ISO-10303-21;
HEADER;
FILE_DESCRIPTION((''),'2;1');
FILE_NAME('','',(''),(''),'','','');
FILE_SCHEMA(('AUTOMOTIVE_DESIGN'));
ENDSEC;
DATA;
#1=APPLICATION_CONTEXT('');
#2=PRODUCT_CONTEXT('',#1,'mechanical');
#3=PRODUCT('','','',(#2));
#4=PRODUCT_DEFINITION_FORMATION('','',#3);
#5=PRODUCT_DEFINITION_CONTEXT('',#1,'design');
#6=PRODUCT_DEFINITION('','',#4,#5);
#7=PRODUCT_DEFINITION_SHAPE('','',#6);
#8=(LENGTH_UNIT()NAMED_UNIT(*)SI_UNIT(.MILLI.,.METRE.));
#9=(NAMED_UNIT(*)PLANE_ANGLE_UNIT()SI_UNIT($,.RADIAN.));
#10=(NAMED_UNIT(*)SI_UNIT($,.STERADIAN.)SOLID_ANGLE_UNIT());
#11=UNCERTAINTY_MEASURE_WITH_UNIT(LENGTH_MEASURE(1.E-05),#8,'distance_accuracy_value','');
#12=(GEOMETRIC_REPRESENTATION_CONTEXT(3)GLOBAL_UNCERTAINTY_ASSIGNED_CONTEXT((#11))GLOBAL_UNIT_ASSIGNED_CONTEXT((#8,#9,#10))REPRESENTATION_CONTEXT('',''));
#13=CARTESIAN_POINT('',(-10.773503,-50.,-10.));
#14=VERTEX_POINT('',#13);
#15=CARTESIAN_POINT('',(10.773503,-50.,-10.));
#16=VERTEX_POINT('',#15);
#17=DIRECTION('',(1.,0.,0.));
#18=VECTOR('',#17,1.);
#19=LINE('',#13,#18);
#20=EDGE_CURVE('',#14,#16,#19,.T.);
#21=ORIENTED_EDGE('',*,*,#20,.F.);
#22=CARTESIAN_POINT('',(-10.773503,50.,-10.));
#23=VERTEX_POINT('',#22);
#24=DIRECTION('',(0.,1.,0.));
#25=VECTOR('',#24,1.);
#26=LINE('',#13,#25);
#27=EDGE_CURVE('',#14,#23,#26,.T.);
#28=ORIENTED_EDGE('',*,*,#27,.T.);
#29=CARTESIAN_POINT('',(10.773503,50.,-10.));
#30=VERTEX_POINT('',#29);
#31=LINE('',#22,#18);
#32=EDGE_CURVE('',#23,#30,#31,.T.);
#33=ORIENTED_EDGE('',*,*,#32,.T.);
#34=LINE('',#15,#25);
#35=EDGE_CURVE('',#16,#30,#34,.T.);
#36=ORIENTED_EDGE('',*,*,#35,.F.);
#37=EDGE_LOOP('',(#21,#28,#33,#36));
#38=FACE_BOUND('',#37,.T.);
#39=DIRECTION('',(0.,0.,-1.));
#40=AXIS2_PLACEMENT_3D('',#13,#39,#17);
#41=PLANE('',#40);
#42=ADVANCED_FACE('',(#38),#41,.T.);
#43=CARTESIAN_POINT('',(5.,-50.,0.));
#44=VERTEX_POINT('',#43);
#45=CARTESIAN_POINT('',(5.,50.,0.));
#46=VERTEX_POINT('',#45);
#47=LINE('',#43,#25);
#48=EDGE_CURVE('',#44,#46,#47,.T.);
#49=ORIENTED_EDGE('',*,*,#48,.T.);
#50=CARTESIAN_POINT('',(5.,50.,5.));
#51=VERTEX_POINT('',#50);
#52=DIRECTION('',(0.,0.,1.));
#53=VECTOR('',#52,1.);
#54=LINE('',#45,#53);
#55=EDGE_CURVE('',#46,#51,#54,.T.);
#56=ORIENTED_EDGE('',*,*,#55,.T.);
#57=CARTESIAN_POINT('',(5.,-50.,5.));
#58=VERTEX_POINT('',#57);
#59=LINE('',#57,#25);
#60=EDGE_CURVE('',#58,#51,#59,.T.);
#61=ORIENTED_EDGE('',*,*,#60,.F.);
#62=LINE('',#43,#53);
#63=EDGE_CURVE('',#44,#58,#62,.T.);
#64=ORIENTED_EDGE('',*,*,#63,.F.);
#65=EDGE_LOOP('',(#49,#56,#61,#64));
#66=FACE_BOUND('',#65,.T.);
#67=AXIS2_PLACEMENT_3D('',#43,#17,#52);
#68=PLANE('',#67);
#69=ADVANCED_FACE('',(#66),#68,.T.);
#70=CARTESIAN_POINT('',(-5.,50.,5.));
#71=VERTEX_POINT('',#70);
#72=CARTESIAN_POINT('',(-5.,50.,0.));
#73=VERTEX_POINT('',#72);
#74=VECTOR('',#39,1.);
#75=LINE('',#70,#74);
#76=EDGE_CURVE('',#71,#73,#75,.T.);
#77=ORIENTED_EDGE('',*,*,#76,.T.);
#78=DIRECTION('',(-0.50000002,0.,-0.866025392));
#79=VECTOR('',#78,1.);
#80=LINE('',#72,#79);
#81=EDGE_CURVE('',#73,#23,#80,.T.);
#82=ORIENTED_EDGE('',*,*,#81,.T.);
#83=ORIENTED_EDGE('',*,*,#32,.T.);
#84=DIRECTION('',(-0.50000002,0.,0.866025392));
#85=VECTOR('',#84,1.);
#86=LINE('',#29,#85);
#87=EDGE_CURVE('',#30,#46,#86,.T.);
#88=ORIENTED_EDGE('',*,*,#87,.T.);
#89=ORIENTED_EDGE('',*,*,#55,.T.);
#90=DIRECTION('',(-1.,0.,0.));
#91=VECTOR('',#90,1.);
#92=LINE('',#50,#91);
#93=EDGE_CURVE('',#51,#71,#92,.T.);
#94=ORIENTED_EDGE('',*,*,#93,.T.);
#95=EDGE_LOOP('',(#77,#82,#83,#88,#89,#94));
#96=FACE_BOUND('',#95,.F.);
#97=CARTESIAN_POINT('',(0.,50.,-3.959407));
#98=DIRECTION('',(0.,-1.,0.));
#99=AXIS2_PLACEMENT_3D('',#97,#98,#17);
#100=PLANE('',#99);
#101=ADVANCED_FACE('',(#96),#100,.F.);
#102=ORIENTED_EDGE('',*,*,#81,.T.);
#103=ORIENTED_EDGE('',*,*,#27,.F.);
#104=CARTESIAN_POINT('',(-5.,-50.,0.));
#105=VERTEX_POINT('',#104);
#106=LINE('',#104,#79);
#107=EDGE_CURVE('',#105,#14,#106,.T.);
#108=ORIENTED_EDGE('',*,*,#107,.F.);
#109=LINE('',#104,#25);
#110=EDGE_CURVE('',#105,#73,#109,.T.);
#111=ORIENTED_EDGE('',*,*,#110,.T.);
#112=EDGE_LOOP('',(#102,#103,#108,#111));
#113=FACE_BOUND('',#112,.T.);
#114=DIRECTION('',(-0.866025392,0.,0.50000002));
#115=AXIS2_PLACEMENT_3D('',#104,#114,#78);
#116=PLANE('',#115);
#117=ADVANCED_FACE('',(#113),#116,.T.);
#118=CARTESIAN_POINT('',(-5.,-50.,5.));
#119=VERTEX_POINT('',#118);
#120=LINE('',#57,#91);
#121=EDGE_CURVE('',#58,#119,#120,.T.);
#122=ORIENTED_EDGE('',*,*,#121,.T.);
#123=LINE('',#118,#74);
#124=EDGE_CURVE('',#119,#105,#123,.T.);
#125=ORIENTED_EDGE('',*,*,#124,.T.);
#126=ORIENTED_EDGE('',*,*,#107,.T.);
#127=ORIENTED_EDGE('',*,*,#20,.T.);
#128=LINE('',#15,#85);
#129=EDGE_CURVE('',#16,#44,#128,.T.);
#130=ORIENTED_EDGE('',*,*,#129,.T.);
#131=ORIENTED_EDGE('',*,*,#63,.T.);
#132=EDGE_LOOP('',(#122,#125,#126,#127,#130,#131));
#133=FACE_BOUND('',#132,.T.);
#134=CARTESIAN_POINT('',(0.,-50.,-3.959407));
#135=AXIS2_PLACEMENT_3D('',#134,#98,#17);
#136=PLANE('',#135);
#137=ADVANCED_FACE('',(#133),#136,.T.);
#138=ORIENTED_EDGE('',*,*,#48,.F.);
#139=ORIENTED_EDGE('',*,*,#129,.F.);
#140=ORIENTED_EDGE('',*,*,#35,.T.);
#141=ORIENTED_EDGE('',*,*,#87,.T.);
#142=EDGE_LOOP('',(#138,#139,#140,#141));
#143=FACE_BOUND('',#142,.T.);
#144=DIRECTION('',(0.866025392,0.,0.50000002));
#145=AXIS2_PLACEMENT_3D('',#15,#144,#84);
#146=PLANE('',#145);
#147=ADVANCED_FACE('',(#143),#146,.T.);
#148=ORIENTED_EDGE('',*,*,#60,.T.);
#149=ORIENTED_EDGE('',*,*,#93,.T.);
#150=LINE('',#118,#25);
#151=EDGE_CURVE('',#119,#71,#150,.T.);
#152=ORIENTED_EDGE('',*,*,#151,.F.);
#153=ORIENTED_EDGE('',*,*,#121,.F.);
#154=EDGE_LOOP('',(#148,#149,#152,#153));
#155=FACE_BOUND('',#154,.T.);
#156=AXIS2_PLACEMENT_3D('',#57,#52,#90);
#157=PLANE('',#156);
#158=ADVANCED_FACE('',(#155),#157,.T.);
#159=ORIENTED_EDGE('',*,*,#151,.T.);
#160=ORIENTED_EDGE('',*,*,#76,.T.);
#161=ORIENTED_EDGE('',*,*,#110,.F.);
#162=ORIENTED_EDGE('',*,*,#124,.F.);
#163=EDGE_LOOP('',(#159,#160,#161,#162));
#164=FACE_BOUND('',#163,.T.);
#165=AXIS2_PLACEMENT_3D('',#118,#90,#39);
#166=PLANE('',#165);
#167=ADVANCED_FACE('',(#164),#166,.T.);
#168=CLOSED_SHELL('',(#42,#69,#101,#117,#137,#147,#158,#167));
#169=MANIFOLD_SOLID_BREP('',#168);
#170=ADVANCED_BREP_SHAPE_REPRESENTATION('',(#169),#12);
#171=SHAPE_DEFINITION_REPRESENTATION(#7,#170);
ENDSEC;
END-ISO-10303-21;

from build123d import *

# Parameters (mm, degrees)
F2_DEPTH = 100


with BuildPart() as f2:
    # F1 (on offset) → F2 (new body)
    with BuildSketch(Plane.XZ.offset(50)):
        Polygon((10.773503, -10), (5, 0), (5, 5), (-5, 5), (-5, 0), (-10.773503, -10), align=None)
    extrude(amount=-F2_DEPTH)


solid = f2.part
